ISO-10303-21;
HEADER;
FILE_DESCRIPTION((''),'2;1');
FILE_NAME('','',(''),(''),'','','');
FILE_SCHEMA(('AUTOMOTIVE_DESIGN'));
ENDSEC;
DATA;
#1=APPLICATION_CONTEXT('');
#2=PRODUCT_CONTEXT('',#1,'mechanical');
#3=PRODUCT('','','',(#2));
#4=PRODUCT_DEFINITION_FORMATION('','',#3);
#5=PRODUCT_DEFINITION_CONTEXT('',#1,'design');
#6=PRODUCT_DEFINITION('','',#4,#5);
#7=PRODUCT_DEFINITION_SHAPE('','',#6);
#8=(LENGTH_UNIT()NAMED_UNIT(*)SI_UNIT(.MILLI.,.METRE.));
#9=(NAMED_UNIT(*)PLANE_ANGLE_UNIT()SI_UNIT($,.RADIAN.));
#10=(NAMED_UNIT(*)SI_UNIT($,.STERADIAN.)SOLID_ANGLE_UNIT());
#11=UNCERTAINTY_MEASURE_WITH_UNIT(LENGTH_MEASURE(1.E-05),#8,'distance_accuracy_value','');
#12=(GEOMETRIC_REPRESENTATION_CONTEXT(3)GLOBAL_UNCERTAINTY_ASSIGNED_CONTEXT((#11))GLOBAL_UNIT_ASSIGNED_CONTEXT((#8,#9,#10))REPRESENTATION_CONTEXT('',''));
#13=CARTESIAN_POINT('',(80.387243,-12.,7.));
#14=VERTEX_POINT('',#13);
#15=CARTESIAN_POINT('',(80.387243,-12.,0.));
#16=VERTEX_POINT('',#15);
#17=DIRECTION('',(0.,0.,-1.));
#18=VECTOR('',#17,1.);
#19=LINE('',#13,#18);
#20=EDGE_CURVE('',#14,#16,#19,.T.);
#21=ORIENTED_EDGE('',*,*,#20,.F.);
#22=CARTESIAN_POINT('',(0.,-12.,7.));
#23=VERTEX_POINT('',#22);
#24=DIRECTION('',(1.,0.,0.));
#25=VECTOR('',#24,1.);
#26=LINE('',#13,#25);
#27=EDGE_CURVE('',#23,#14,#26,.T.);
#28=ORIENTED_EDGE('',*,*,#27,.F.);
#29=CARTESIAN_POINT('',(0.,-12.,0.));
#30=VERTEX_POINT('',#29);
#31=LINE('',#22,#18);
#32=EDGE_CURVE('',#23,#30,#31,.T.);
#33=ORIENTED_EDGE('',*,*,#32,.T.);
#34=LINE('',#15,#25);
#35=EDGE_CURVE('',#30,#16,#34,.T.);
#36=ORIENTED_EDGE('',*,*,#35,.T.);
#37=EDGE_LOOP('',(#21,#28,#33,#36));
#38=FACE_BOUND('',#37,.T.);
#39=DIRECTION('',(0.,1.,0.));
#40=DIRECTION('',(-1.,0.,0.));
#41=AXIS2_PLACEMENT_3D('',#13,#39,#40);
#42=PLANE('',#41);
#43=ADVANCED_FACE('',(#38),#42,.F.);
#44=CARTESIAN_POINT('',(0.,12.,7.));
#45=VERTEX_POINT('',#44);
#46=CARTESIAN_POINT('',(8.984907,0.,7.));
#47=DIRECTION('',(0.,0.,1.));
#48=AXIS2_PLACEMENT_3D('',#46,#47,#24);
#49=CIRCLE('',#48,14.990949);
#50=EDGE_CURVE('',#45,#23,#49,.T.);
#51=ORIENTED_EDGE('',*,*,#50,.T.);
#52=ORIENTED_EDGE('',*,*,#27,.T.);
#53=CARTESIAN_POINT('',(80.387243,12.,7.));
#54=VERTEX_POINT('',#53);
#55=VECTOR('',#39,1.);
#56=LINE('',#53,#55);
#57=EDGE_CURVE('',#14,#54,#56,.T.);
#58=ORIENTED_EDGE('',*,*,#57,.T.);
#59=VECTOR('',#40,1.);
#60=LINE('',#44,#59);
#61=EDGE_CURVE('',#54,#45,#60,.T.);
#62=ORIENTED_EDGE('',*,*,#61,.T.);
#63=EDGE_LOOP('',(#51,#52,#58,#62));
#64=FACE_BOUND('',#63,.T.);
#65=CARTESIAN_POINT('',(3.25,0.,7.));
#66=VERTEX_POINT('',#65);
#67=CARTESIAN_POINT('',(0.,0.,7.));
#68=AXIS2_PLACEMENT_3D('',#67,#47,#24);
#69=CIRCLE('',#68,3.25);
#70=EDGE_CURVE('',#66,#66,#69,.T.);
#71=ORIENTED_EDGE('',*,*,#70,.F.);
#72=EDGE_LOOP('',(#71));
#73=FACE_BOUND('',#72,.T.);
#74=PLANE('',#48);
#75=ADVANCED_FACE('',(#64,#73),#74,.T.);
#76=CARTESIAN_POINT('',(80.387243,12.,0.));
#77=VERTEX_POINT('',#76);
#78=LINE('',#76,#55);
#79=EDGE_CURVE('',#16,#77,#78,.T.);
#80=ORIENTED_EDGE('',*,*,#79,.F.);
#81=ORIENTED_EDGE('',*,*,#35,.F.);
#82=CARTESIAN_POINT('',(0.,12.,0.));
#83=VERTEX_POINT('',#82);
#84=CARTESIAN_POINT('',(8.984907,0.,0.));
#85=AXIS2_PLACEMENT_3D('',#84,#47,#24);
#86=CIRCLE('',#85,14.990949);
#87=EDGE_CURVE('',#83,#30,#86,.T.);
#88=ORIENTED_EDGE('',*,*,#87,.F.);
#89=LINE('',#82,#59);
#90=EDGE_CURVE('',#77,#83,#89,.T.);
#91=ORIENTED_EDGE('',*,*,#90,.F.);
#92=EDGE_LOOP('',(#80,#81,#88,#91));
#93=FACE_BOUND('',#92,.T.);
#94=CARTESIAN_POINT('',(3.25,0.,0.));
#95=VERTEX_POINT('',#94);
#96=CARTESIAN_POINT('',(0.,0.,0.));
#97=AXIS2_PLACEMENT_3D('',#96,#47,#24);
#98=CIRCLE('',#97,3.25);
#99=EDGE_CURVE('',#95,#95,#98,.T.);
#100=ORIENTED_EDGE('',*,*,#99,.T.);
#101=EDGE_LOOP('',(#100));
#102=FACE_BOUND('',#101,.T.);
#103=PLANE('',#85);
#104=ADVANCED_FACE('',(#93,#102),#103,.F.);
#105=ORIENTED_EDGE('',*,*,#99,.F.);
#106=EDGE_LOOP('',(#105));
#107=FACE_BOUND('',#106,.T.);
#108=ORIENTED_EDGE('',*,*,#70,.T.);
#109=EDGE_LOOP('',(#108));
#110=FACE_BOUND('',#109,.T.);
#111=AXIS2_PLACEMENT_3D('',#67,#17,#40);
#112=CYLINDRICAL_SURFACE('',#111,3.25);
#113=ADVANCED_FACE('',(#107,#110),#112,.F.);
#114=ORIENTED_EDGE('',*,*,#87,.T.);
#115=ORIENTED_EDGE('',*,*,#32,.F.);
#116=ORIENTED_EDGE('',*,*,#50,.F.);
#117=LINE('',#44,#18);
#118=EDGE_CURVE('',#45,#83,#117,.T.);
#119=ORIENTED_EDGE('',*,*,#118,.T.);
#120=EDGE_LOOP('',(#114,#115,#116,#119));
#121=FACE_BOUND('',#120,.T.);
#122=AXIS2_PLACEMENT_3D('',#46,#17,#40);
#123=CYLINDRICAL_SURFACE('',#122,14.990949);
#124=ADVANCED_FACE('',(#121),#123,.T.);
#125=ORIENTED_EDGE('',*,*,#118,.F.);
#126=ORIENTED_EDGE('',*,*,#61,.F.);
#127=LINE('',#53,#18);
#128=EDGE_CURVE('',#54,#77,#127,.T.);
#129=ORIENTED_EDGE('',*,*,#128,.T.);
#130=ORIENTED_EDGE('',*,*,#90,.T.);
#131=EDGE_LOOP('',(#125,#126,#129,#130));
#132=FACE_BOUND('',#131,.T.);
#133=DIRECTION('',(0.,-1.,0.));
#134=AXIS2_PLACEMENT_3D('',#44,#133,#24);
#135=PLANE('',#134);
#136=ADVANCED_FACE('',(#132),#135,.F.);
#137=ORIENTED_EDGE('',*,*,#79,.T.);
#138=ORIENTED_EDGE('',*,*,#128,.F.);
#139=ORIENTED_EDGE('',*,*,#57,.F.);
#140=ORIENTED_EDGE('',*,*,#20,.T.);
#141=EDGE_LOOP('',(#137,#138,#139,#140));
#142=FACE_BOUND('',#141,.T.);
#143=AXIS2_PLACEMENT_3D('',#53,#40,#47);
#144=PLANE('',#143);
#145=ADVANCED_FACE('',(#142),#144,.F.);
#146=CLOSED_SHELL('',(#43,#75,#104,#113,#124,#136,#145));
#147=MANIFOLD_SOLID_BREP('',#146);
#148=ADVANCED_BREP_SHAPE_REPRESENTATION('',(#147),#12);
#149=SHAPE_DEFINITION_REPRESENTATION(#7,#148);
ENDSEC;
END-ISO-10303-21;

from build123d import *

# Parameters (mm, degrees)
CROQUIS1_R              = 3.25
SALIENTE_EXTRUIR1_DEPTH = 7


with BuildPart() as part:
    # Croquis1 → Saliente-Extruir1 (new body)
    with BuildSketch(Plane.XY):
        with BuildLine():
            Line((0, 12), (80.387242704, 12))
            Line((80.387242704, 12), (80.387242704, -12))
            Line((80.387242704, -12), (0, -12))
            ThreePointArc((0, -12), (-6.00604208, 0), (0, 12))
        make_face()
        Circle(CROQUIS1_R, mode=Mode.SUBTRACT)
    extrude(amount=SALIENTE_EXTRUIR1_DEPTH)


solid = part.part
